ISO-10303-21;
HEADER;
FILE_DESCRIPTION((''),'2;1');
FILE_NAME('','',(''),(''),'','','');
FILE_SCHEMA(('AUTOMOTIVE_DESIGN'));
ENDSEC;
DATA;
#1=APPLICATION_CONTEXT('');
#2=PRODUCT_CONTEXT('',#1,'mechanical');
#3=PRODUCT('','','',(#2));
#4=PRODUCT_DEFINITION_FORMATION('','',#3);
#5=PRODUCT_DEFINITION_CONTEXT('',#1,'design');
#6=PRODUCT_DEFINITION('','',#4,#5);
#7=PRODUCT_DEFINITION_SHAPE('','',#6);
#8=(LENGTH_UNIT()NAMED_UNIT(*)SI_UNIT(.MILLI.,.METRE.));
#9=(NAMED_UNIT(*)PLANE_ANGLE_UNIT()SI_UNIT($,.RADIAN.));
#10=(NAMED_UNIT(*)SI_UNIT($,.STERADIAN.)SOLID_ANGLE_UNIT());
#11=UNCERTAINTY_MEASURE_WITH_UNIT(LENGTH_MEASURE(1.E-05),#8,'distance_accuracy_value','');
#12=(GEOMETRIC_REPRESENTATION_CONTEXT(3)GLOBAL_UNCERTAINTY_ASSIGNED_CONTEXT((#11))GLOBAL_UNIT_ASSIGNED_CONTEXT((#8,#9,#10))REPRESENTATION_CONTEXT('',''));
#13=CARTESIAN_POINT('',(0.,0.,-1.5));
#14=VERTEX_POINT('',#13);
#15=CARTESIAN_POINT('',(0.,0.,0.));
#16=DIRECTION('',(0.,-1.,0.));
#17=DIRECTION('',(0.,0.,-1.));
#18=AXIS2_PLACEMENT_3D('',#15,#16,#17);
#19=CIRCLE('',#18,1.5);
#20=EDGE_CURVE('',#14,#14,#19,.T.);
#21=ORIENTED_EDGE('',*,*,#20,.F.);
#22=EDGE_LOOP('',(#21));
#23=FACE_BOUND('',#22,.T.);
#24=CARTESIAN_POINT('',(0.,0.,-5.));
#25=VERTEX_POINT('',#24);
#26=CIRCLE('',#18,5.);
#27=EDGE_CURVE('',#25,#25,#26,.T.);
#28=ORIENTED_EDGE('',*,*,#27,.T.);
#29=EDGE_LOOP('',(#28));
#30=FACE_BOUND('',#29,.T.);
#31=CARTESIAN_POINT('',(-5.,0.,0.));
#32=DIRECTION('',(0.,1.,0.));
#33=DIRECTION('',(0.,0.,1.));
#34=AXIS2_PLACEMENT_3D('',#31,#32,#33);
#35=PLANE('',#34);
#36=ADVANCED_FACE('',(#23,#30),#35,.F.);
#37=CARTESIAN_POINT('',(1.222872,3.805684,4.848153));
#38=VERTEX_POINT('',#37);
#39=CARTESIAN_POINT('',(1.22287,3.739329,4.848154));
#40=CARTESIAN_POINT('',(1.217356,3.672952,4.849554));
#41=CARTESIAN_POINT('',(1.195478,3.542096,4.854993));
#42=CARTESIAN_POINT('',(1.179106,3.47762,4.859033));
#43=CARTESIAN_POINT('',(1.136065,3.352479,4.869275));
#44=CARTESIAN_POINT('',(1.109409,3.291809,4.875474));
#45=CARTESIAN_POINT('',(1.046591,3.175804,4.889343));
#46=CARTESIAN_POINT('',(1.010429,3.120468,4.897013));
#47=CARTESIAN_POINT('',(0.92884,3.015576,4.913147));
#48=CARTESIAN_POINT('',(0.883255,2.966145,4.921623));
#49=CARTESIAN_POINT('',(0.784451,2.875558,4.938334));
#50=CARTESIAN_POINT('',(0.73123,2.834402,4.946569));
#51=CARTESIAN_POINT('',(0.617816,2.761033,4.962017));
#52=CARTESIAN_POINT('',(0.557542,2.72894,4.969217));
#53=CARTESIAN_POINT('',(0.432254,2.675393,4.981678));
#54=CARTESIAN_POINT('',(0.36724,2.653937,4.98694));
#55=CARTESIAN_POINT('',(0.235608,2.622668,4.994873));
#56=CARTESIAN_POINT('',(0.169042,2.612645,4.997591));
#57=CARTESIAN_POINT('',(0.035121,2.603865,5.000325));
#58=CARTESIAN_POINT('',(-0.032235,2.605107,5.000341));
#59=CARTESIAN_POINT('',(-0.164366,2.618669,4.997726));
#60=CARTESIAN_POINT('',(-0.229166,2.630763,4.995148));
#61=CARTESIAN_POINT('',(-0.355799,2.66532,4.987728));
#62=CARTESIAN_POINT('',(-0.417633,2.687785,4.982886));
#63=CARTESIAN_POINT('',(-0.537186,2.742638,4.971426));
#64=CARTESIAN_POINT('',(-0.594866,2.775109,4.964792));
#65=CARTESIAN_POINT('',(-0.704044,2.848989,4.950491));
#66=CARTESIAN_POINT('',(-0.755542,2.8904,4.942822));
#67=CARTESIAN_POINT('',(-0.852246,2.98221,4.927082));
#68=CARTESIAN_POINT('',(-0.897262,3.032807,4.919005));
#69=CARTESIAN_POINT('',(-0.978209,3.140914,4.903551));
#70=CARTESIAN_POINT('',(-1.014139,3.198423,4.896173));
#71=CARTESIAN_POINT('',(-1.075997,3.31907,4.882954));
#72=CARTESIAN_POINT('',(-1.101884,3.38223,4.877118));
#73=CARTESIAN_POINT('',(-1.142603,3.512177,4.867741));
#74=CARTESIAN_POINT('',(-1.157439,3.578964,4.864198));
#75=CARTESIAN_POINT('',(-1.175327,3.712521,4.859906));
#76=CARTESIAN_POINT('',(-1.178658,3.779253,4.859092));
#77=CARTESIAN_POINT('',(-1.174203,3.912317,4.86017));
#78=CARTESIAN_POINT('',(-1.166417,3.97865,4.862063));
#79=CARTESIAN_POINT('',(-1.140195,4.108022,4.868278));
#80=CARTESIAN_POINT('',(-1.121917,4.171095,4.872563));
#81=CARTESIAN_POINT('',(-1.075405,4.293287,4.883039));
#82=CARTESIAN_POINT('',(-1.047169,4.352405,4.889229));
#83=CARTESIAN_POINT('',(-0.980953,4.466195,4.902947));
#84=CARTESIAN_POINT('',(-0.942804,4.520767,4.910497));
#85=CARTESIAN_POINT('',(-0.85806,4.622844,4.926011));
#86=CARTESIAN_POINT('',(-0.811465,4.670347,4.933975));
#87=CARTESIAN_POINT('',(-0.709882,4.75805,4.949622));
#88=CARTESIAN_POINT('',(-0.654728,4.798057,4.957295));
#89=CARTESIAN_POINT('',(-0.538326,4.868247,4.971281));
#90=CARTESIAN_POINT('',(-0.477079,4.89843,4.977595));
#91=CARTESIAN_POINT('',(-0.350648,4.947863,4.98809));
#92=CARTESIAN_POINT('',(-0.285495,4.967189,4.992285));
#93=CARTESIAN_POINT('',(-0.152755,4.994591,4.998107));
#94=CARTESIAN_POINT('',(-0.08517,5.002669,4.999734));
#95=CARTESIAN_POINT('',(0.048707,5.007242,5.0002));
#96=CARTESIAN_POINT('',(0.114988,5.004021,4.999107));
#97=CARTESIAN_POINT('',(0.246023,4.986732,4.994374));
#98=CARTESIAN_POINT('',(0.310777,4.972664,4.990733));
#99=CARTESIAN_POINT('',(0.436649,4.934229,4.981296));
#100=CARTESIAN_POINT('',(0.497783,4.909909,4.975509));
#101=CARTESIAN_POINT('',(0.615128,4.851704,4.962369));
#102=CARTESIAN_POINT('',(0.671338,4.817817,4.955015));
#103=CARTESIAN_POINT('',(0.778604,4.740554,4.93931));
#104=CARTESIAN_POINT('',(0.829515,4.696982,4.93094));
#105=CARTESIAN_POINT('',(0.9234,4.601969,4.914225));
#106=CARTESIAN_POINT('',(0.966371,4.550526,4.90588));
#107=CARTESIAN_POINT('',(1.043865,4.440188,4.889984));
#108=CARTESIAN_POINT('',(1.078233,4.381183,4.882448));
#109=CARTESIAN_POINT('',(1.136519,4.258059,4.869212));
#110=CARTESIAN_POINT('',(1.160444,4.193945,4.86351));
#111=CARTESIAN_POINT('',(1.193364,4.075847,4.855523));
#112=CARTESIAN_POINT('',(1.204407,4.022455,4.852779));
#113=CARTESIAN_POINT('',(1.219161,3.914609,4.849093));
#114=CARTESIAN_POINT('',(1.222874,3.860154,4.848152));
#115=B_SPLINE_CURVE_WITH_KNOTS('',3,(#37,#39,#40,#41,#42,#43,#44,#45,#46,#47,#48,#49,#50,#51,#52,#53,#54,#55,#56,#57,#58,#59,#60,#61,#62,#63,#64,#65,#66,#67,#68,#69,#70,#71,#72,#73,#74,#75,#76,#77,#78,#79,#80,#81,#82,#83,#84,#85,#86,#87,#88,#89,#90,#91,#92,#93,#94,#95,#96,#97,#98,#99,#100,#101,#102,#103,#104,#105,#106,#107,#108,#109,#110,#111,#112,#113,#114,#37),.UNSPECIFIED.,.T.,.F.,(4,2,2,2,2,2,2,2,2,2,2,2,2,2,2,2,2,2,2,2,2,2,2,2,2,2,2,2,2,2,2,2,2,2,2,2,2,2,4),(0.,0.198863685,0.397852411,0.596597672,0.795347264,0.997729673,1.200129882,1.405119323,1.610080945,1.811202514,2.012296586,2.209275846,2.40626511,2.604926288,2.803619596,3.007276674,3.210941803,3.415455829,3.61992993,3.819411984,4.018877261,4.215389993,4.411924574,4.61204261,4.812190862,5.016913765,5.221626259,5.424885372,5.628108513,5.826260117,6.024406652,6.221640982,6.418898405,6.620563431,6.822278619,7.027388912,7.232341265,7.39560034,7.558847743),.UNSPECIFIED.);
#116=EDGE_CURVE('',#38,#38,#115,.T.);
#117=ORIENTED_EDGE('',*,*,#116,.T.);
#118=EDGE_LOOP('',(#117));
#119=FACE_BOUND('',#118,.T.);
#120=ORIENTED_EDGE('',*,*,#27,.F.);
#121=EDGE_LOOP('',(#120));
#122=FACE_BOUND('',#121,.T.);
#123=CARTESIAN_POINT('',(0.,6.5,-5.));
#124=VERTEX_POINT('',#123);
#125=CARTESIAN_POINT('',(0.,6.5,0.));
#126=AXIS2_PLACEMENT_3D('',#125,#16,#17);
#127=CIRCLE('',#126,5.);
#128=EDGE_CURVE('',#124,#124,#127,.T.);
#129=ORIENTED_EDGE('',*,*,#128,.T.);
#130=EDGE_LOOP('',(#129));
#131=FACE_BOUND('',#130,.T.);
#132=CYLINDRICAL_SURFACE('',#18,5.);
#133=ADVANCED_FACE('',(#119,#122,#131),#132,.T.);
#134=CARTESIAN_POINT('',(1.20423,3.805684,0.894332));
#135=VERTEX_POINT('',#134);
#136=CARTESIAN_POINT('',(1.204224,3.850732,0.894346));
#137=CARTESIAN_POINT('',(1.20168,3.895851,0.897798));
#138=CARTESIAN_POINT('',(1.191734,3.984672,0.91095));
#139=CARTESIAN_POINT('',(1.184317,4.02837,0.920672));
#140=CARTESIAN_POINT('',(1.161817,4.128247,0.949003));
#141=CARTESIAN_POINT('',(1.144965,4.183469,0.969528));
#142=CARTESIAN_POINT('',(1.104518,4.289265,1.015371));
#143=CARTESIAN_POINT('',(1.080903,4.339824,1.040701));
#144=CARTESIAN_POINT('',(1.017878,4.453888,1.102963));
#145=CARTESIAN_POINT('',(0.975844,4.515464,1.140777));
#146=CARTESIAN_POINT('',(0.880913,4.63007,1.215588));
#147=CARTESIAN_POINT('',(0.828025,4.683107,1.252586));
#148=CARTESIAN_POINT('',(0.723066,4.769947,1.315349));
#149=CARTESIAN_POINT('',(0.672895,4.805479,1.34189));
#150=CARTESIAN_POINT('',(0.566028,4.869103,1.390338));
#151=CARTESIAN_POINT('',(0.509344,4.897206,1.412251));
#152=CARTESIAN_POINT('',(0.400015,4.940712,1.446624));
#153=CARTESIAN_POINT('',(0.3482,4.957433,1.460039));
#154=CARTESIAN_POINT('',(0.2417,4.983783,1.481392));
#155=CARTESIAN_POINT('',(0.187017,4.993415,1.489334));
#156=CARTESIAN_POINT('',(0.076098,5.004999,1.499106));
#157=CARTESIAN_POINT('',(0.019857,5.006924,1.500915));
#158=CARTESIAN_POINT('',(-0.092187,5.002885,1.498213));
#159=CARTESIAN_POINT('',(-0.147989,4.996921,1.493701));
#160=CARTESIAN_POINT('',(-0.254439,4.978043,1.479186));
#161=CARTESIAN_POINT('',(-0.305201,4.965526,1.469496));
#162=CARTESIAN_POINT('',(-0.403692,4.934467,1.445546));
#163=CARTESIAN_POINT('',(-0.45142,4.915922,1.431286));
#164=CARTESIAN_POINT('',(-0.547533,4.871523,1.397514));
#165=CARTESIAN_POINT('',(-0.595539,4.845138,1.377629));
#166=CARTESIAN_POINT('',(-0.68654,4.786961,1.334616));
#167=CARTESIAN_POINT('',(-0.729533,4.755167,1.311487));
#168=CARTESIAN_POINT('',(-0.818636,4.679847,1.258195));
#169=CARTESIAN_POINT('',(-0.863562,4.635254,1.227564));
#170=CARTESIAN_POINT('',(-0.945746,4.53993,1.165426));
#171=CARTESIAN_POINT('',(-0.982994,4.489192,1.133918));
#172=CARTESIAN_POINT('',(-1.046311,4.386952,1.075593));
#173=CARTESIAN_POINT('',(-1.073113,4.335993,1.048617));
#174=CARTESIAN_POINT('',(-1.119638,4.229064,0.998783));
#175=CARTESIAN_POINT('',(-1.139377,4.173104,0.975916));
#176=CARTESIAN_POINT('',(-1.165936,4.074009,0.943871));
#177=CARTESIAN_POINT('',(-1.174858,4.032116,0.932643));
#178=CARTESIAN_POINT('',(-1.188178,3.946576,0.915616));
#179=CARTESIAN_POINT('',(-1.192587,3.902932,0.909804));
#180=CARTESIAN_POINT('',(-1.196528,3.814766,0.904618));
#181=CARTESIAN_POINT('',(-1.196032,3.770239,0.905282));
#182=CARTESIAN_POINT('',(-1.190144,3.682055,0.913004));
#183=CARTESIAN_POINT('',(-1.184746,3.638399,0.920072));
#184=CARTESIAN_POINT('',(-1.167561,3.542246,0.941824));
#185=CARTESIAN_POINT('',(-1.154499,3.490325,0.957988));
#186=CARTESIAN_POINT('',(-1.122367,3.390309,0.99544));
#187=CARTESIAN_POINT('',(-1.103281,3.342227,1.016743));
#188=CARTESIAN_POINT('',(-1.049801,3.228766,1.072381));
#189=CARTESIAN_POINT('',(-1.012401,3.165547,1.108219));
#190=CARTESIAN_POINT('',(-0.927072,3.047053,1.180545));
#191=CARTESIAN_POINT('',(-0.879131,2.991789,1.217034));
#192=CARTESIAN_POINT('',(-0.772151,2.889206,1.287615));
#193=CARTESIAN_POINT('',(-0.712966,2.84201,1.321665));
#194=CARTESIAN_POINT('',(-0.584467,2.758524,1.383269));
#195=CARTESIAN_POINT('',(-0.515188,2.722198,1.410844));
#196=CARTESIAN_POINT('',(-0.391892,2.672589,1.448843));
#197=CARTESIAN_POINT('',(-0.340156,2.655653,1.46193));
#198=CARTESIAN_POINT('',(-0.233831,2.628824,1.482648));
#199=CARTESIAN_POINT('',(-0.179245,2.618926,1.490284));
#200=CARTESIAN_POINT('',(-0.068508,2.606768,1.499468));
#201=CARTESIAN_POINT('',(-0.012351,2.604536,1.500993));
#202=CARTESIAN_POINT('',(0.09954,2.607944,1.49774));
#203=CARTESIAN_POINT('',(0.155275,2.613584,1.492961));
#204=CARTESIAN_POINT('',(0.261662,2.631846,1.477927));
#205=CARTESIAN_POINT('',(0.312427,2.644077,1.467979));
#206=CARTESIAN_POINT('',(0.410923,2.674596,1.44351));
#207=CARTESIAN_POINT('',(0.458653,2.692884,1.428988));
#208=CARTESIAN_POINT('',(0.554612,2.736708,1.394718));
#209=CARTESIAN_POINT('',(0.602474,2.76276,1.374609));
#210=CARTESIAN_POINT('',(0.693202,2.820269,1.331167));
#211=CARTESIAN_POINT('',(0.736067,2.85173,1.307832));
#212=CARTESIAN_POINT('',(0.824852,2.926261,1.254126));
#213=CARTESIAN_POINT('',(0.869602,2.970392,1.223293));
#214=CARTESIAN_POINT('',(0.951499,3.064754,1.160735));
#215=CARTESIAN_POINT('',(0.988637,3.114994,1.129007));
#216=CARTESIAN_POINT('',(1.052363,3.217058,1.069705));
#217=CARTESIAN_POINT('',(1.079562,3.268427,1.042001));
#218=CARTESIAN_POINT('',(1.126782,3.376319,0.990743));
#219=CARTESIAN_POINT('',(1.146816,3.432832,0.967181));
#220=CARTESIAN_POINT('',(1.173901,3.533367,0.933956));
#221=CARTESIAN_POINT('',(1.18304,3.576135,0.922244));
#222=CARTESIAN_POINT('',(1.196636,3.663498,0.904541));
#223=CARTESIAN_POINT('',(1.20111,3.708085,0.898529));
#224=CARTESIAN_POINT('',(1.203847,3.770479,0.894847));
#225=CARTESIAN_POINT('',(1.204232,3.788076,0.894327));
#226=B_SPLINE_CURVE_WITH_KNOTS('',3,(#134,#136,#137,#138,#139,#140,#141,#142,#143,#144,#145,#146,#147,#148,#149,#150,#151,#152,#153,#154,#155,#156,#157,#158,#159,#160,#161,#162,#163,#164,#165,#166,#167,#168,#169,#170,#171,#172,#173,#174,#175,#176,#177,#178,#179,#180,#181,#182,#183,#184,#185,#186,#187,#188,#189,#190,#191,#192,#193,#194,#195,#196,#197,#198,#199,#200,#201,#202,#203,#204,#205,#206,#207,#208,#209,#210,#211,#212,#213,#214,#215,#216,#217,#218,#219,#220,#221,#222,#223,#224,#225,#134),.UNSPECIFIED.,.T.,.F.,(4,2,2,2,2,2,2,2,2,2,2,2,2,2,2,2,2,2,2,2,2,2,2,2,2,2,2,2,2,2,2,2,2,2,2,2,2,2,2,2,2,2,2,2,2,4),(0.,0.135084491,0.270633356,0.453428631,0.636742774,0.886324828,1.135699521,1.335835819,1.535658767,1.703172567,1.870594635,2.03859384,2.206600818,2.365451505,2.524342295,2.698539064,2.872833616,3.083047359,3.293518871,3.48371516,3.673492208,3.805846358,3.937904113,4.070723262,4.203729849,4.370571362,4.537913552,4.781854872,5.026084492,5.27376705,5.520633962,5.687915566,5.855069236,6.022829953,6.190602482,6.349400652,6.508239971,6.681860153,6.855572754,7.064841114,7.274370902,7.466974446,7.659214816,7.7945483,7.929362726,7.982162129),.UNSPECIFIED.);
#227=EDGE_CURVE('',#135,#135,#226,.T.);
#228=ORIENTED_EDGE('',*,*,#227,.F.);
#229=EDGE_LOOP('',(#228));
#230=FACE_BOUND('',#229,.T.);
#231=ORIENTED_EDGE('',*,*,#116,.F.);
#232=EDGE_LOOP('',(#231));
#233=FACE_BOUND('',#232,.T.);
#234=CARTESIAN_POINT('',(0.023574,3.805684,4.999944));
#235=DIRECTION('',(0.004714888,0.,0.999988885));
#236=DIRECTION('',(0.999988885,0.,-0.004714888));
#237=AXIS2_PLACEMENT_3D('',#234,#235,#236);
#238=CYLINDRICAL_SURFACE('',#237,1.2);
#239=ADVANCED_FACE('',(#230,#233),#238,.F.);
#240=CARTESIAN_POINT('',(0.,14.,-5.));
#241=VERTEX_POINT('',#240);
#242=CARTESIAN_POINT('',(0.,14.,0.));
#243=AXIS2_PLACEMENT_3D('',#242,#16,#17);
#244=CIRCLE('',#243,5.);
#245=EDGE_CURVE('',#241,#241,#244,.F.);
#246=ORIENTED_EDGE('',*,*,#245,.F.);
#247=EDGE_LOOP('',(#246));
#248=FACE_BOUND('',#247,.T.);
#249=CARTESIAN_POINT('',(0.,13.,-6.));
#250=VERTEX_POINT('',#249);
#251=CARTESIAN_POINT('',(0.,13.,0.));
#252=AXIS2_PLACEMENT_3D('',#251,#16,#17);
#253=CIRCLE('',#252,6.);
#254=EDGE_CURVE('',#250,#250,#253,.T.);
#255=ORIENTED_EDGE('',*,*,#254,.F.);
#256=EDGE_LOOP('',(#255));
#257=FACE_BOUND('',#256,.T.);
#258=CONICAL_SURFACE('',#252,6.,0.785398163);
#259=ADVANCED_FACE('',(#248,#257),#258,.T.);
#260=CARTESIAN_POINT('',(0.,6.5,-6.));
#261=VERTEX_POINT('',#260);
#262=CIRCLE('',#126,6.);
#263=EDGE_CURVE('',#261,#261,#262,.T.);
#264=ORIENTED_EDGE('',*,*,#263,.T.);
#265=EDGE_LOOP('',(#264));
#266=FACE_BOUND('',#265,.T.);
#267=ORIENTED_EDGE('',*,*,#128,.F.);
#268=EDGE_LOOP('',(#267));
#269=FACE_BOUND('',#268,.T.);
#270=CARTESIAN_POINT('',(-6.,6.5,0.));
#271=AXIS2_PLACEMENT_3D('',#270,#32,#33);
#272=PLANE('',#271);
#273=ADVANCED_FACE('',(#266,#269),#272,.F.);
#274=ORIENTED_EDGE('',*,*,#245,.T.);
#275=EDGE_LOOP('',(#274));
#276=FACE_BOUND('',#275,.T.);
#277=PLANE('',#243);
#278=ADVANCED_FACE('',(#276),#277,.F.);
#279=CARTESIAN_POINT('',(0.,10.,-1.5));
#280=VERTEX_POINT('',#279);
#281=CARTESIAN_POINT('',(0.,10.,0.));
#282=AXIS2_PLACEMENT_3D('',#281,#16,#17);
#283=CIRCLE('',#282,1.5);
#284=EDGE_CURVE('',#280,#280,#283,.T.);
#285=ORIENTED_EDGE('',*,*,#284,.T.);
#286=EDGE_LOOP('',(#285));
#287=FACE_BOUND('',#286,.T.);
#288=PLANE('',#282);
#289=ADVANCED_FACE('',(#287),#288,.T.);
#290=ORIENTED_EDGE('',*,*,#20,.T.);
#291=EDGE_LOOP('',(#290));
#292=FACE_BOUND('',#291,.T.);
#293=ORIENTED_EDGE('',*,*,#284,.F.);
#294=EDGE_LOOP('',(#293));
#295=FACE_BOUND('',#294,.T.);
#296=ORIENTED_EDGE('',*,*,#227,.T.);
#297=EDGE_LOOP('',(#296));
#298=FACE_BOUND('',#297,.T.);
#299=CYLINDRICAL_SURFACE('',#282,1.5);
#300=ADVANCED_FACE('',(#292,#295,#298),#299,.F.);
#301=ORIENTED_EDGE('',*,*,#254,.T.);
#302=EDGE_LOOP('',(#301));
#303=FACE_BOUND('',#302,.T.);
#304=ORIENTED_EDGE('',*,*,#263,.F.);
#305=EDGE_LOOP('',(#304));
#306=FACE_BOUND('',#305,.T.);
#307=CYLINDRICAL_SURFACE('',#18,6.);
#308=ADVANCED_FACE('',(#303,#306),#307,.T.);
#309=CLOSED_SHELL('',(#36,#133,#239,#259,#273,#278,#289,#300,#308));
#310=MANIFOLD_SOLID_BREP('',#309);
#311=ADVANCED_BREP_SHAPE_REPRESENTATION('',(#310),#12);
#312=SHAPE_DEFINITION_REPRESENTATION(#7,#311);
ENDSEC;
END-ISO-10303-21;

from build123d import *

# Parameters (mm, degrees)
SMUSSO1_SIZE              = 1
SCHIZZO2_R                = 1.5
TAGLIO_ESTRUSIONE1_DEPTH  = 10
FORO_PER_VITE_M2_2_REACH  = 18.162
FORO_PER_VITE_M2_2_BORE_R = 1.2


with BuildPart() as part:
    # Schizzo1 → Rivoluzione1 (revolve)
    with BuildSketch(Plane.XY, mode=Mode.PRIVATE) as rivoluzione1_sk:
        Polygon((-6, 14), (-6, 6.5), (-5, 6.5), (-5, 0), (0, 0), (0, 14), align=None)
    revolve(rivoluzione1_sk.sketch.rotate(Axis((0, 0, 0), (0, 1, 0)), 270), axis=Axis((0, 0, 0), (0, 1, 0)))

    # Smusso1
    smusso1_edges = [part.edges().sort_by_distance(p)[0] for p in [
        (0, 14, 6),
    ]]
    chamfer(smusso1_edges, length=SMUSSO1_SIZE)

    # Schizzo2 → Taglio-Estrusione1 (cut)
    with BuildSketch(Plane(origin=(0, 0, 0), x_dir=(-1, 0, 0), z_dir=(0, -1, 0))):
        with Locations(Location((0, 0, 0), (0, 0, 90))):
            Circle(SCHIZZO2_R)
    extrude(amount=-TAGLIO_ESTRUSIONE1_DEPTH, mode=Mode.SUBTRACT)

    # Foro per Vite M2-2 bore (on position points) → Foro per Vite M2-2 (cut, up to next)
    with BuildSketch(Plane(origin=(0.02357444, 3.80568373, 4.999944424), x_dir=(0.999988884854, 0, -0.004714888012), z_dir=(0.004714888012, 0, 0.999988884854)), mode=Mode.PRIVATE) as foro_per_vite_m2_2_sk1:
        Circle(FORO_PER_VITE_M2_2_BORE_R)
    foro_per_vite_m2_2_tool1 = extrude(foro_per_vite_m2_2_sk1.sketch, amount=-FORO_PER_VITE_M2_2_REACH, mode=Mode.PRIVATE) & part.part
    add(foro_per_vite_m2_2_tool1.solids().sort_by_distance((0.023574, 3.805684, 4.999944))[0], mode=Mode.SUBTRACT)


solid = part.part
